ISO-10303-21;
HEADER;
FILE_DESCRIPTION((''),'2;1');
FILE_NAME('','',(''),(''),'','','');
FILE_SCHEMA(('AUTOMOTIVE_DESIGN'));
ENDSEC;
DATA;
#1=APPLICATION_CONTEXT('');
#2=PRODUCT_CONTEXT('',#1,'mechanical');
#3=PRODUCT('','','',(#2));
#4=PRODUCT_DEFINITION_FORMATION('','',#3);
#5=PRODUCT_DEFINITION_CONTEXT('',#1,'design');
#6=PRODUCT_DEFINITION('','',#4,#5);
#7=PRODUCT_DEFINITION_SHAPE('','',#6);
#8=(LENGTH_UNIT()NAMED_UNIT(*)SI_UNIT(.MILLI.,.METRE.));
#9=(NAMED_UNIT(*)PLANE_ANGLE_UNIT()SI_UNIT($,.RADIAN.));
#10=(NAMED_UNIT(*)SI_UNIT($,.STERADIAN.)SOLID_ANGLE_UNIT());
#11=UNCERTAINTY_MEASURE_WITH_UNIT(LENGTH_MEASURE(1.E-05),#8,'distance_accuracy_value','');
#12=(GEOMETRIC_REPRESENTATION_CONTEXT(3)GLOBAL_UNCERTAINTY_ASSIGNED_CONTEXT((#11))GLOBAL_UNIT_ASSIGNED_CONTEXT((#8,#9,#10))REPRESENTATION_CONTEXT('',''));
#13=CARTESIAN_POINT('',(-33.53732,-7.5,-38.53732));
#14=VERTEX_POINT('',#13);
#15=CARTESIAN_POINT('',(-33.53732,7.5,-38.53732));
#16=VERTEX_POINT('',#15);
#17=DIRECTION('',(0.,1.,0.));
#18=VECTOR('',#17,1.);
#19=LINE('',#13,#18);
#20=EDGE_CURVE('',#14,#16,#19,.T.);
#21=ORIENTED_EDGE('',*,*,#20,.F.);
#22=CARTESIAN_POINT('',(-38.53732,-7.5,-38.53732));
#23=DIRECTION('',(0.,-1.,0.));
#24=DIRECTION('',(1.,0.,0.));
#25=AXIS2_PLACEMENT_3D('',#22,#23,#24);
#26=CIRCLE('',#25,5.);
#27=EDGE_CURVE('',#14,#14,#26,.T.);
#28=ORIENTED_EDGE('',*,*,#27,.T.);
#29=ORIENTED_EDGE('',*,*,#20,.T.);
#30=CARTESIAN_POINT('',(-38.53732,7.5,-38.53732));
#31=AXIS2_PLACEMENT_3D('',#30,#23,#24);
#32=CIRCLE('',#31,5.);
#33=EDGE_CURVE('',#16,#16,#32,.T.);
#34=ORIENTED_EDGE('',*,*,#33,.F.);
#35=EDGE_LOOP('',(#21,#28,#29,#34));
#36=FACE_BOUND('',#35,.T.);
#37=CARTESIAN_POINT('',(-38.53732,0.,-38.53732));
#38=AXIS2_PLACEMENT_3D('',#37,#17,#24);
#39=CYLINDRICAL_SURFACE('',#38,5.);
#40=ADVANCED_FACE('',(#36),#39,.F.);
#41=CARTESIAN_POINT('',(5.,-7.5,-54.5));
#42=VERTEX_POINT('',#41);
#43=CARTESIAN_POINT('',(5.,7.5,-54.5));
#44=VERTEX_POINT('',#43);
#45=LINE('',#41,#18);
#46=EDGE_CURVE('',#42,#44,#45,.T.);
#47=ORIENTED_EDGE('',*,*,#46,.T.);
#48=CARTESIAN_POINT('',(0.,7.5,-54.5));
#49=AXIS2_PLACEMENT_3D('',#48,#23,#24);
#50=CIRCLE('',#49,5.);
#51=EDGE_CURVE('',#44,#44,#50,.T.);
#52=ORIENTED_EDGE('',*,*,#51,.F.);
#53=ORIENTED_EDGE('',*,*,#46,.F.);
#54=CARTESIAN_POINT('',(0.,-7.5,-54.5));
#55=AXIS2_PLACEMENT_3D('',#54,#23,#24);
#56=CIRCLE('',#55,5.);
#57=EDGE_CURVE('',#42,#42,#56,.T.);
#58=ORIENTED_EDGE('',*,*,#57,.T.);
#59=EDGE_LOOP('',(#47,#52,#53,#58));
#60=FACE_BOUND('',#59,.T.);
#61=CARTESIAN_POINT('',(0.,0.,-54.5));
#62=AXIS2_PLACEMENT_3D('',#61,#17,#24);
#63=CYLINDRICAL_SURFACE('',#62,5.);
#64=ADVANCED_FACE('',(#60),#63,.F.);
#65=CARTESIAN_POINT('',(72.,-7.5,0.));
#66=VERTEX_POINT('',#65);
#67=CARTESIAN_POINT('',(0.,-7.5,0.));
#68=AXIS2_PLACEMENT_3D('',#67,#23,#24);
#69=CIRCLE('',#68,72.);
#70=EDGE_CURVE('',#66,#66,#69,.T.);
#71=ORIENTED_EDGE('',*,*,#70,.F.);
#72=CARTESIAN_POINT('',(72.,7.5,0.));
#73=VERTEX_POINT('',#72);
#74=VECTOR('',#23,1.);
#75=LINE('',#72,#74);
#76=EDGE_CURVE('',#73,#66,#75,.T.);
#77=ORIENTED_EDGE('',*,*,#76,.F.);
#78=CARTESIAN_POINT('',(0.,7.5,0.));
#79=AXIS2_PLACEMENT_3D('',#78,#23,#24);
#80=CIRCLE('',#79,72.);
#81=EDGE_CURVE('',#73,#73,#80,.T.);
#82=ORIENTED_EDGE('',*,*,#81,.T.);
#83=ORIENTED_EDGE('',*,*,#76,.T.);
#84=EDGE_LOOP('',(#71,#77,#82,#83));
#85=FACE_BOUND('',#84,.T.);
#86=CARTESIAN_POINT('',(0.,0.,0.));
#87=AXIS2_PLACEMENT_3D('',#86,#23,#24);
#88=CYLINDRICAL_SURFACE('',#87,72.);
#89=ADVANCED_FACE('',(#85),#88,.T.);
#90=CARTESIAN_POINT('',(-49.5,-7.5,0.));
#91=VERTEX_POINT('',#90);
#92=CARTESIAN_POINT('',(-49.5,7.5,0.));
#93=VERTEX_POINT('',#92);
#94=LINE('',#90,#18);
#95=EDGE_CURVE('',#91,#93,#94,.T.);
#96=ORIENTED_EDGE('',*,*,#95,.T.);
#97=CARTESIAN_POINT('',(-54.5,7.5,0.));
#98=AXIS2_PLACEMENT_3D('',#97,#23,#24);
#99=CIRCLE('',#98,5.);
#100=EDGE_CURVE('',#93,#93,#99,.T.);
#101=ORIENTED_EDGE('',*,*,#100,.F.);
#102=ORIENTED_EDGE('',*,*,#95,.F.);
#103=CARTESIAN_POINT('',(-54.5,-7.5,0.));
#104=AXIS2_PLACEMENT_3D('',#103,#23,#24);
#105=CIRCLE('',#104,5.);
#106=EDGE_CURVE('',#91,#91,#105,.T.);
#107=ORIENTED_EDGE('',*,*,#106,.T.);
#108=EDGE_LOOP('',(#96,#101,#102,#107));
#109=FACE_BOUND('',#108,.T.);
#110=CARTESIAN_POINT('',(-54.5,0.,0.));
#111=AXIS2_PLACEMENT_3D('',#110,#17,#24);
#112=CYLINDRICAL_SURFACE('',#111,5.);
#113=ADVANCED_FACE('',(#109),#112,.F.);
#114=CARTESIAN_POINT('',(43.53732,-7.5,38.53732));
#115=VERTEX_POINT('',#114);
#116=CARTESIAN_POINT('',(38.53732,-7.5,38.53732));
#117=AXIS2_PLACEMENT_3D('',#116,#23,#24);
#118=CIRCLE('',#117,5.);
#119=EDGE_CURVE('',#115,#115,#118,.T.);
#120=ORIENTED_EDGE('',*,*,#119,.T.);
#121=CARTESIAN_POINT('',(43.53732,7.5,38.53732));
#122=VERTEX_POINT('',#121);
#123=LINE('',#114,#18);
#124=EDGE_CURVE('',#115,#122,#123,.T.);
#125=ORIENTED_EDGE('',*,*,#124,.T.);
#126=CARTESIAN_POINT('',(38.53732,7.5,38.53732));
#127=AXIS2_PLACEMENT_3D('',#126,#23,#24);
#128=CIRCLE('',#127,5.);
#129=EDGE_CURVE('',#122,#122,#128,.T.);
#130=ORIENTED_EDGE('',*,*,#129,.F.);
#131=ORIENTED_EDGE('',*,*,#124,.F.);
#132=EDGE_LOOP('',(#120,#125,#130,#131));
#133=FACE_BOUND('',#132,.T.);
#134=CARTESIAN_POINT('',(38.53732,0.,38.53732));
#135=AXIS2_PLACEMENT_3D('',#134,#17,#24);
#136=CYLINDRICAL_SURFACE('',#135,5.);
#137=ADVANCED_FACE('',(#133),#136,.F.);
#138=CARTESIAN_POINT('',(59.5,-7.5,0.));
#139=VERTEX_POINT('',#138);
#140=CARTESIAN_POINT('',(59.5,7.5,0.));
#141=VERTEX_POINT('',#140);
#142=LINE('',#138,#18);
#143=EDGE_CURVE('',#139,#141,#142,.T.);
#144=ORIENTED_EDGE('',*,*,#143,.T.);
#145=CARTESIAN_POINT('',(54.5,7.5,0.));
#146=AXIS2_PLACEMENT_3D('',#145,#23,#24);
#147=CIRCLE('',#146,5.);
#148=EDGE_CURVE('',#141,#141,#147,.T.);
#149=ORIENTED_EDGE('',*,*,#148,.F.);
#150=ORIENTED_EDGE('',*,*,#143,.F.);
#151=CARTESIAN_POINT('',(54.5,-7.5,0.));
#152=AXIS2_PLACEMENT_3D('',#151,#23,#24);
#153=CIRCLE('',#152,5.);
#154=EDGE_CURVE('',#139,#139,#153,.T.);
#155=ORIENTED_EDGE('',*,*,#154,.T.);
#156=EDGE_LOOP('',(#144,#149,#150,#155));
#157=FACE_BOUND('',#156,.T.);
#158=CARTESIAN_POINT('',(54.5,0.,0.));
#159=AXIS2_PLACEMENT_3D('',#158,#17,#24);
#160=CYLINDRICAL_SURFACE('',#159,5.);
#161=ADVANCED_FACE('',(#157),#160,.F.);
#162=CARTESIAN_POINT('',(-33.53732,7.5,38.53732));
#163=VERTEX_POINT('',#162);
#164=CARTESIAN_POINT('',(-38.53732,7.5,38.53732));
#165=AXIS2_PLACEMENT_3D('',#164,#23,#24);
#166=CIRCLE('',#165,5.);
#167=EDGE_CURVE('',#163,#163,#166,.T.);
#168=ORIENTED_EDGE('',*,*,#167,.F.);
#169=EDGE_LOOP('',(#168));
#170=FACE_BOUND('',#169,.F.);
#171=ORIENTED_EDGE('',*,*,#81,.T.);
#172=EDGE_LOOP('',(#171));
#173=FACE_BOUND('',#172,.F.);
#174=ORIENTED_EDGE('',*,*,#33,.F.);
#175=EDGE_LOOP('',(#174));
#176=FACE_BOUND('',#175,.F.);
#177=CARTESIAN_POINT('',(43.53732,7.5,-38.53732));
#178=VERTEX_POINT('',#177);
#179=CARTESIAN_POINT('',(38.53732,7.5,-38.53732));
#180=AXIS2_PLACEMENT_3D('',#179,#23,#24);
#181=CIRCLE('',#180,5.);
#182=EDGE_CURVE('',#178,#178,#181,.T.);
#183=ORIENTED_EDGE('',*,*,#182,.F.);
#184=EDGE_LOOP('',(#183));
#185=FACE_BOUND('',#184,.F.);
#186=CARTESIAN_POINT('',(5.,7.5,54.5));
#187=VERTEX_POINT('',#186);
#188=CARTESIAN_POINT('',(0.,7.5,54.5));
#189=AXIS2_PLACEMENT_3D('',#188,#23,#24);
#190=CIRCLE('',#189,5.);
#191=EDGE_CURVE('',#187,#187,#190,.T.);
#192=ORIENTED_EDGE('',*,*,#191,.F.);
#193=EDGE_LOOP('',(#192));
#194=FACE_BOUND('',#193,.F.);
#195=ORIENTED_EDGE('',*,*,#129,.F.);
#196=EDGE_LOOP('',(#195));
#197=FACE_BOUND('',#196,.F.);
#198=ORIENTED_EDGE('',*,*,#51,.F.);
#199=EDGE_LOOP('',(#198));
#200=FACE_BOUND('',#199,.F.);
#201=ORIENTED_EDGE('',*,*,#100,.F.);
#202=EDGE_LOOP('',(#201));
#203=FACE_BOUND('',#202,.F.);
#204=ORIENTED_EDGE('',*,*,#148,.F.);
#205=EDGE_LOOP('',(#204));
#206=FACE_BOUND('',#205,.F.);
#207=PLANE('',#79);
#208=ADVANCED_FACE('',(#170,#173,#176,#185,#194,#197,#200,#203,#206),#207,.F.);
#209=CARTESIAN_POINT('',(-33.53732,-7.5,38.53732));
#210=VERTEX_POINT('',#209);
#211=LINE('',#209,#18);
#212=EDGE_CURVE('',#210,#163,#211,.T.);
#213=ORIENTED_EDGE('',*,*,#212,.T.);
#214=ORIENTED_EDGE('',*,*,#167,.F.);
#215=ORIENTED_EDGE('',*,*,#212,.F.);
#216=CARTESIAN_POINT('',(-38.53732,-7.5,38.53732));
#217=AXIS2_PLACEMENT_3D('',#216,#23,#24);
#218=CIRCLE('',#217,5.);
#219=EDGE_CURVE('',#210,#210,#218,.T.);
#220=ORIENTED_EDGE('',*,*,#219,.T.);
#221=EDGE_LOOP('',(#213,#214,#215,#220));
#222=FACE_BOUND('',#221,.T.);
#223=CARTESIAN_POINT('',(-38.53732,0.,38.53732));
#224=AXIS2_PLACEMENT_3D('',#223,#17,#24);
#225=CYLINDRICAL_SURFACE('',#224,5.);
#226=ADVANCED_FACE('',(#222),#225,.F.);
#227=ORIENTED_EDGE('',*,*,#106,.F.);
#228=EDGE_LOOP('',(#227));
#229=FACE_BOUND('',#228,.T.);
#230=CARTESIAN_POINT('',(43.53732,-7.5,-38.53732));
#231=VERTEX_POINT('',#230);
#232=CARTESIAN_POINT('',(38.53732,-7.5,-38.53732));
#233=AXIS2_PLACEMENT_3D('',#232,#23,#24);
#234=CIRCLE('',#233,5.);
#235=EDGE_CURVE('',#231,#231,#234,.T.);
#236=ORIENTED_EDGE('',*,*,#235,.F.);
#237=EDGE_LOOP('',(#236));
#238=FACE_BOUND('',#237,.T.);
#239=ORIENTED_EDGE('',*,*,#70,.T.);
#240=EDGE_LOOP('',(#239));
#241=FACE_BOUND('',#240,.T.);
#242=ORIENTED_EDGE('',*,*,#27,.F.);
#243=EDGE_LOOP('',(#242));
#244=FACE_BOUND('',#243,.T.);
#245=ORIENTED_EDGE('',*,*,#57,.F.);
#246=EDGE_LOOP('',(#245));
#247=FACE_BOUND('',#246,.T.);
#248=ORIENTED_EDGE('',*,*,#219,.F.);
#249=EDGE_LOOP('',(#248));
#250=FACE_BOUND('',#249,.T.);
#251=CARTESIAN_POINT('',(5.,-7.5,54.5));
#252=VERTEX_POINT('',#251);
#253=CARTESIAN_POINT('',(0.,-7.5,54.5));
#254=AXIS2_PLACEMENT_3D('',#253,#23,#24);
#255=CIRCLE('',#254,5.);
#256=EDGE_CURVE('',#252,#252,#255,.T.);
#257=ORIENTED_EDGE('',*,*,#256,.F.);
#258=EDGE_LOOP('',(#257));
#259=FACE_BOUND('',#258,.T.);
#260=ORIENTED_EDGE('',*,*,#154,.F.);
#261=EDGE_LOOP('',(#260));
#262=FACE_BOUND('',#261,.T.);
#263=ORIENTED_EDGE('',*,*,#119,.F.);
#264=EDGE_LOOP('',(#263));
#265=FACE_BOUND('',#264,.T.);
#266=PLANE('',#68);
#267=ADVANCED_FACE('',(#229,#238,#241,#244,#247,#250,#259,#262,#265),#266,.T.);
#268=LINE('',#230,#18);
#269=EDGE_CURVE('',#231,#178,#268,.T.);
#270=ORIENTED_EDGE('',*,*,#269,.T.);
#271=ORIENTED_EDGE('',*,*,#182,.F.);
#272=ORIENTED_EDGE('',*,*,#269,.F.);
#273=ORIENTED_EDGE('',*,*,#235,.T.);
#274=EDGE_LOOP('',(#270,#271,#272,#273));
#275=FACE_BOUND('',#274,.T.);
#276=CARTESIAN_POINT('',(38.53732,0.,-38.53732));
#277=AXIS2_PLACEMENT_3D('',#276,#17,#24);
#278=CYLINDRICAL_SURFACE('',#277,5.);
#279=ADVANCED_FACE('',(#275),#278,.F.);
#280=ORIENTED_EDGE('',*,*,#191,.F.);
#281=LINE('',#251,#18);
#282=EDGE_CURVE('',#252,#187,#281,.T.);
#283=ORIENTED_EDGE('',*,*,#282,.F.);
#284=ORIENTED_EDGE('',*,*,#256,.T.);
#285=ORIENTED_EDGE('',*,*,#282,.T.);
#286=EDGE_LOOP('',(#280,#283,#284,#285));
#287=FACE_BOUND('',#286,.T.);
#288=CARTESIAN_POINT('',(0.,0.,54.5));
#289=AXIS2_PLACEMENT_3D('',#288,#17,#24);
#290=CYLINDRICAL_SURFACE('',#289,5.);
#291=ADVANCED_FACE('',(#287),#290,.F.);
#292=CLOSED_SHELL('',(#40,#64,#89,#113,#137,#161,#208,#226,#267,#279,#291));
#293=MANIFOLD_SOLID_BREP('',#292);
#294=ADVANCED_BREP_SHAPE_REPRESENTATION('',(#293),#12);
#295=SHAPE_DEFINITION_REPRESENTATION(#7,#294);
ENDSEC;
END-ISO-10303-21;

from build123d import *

# Parameters (mm, degrees)
F0_R     = 72
F0_R_2   = 5
F1_DEPTH = 7.5


with BuildPart() as f1:
    # F0 (on Front) → F1 (new body, symmetric)
    with BuildSketch(Plane.XZ):
        Circle(F0_R)
        with Locations((-38.53732, -38.53732)):
            Circle(F0_R_2, mode=Mode.SUBTRACT)
        with Locations((0, -54.5)):
            Circle(F0_R_2, mode=Mode.SUBTRACT)
        with Locations((38.53732, -38.53732)):
            Circle(F0_R_2, mode=Mode.SUBTRACT)
        with Locations((-54.5, 0)):
            Circle(F0_R_2, mode=Mode.SUBTRACT)
        with Locations((-38.53732, 38.53732)):
            Circle(F0_R_2, mode=Mode.SUBTRACT)
        with Locations((54.5, 0)):
            Circle(F0_R_2, mode=Mode.SUBTRACT)
        with Locations((0, 54.5)):
            Circle(F0_R_2, mode=Mode.SUBTRACT)
        with Locations((38.53732, 38.53732)):
            Circle(F0_R_2, mode=Mode.SUBTRACT)
    extrude(amount=F1_DEPTH, both=True)


solid = f1.part
